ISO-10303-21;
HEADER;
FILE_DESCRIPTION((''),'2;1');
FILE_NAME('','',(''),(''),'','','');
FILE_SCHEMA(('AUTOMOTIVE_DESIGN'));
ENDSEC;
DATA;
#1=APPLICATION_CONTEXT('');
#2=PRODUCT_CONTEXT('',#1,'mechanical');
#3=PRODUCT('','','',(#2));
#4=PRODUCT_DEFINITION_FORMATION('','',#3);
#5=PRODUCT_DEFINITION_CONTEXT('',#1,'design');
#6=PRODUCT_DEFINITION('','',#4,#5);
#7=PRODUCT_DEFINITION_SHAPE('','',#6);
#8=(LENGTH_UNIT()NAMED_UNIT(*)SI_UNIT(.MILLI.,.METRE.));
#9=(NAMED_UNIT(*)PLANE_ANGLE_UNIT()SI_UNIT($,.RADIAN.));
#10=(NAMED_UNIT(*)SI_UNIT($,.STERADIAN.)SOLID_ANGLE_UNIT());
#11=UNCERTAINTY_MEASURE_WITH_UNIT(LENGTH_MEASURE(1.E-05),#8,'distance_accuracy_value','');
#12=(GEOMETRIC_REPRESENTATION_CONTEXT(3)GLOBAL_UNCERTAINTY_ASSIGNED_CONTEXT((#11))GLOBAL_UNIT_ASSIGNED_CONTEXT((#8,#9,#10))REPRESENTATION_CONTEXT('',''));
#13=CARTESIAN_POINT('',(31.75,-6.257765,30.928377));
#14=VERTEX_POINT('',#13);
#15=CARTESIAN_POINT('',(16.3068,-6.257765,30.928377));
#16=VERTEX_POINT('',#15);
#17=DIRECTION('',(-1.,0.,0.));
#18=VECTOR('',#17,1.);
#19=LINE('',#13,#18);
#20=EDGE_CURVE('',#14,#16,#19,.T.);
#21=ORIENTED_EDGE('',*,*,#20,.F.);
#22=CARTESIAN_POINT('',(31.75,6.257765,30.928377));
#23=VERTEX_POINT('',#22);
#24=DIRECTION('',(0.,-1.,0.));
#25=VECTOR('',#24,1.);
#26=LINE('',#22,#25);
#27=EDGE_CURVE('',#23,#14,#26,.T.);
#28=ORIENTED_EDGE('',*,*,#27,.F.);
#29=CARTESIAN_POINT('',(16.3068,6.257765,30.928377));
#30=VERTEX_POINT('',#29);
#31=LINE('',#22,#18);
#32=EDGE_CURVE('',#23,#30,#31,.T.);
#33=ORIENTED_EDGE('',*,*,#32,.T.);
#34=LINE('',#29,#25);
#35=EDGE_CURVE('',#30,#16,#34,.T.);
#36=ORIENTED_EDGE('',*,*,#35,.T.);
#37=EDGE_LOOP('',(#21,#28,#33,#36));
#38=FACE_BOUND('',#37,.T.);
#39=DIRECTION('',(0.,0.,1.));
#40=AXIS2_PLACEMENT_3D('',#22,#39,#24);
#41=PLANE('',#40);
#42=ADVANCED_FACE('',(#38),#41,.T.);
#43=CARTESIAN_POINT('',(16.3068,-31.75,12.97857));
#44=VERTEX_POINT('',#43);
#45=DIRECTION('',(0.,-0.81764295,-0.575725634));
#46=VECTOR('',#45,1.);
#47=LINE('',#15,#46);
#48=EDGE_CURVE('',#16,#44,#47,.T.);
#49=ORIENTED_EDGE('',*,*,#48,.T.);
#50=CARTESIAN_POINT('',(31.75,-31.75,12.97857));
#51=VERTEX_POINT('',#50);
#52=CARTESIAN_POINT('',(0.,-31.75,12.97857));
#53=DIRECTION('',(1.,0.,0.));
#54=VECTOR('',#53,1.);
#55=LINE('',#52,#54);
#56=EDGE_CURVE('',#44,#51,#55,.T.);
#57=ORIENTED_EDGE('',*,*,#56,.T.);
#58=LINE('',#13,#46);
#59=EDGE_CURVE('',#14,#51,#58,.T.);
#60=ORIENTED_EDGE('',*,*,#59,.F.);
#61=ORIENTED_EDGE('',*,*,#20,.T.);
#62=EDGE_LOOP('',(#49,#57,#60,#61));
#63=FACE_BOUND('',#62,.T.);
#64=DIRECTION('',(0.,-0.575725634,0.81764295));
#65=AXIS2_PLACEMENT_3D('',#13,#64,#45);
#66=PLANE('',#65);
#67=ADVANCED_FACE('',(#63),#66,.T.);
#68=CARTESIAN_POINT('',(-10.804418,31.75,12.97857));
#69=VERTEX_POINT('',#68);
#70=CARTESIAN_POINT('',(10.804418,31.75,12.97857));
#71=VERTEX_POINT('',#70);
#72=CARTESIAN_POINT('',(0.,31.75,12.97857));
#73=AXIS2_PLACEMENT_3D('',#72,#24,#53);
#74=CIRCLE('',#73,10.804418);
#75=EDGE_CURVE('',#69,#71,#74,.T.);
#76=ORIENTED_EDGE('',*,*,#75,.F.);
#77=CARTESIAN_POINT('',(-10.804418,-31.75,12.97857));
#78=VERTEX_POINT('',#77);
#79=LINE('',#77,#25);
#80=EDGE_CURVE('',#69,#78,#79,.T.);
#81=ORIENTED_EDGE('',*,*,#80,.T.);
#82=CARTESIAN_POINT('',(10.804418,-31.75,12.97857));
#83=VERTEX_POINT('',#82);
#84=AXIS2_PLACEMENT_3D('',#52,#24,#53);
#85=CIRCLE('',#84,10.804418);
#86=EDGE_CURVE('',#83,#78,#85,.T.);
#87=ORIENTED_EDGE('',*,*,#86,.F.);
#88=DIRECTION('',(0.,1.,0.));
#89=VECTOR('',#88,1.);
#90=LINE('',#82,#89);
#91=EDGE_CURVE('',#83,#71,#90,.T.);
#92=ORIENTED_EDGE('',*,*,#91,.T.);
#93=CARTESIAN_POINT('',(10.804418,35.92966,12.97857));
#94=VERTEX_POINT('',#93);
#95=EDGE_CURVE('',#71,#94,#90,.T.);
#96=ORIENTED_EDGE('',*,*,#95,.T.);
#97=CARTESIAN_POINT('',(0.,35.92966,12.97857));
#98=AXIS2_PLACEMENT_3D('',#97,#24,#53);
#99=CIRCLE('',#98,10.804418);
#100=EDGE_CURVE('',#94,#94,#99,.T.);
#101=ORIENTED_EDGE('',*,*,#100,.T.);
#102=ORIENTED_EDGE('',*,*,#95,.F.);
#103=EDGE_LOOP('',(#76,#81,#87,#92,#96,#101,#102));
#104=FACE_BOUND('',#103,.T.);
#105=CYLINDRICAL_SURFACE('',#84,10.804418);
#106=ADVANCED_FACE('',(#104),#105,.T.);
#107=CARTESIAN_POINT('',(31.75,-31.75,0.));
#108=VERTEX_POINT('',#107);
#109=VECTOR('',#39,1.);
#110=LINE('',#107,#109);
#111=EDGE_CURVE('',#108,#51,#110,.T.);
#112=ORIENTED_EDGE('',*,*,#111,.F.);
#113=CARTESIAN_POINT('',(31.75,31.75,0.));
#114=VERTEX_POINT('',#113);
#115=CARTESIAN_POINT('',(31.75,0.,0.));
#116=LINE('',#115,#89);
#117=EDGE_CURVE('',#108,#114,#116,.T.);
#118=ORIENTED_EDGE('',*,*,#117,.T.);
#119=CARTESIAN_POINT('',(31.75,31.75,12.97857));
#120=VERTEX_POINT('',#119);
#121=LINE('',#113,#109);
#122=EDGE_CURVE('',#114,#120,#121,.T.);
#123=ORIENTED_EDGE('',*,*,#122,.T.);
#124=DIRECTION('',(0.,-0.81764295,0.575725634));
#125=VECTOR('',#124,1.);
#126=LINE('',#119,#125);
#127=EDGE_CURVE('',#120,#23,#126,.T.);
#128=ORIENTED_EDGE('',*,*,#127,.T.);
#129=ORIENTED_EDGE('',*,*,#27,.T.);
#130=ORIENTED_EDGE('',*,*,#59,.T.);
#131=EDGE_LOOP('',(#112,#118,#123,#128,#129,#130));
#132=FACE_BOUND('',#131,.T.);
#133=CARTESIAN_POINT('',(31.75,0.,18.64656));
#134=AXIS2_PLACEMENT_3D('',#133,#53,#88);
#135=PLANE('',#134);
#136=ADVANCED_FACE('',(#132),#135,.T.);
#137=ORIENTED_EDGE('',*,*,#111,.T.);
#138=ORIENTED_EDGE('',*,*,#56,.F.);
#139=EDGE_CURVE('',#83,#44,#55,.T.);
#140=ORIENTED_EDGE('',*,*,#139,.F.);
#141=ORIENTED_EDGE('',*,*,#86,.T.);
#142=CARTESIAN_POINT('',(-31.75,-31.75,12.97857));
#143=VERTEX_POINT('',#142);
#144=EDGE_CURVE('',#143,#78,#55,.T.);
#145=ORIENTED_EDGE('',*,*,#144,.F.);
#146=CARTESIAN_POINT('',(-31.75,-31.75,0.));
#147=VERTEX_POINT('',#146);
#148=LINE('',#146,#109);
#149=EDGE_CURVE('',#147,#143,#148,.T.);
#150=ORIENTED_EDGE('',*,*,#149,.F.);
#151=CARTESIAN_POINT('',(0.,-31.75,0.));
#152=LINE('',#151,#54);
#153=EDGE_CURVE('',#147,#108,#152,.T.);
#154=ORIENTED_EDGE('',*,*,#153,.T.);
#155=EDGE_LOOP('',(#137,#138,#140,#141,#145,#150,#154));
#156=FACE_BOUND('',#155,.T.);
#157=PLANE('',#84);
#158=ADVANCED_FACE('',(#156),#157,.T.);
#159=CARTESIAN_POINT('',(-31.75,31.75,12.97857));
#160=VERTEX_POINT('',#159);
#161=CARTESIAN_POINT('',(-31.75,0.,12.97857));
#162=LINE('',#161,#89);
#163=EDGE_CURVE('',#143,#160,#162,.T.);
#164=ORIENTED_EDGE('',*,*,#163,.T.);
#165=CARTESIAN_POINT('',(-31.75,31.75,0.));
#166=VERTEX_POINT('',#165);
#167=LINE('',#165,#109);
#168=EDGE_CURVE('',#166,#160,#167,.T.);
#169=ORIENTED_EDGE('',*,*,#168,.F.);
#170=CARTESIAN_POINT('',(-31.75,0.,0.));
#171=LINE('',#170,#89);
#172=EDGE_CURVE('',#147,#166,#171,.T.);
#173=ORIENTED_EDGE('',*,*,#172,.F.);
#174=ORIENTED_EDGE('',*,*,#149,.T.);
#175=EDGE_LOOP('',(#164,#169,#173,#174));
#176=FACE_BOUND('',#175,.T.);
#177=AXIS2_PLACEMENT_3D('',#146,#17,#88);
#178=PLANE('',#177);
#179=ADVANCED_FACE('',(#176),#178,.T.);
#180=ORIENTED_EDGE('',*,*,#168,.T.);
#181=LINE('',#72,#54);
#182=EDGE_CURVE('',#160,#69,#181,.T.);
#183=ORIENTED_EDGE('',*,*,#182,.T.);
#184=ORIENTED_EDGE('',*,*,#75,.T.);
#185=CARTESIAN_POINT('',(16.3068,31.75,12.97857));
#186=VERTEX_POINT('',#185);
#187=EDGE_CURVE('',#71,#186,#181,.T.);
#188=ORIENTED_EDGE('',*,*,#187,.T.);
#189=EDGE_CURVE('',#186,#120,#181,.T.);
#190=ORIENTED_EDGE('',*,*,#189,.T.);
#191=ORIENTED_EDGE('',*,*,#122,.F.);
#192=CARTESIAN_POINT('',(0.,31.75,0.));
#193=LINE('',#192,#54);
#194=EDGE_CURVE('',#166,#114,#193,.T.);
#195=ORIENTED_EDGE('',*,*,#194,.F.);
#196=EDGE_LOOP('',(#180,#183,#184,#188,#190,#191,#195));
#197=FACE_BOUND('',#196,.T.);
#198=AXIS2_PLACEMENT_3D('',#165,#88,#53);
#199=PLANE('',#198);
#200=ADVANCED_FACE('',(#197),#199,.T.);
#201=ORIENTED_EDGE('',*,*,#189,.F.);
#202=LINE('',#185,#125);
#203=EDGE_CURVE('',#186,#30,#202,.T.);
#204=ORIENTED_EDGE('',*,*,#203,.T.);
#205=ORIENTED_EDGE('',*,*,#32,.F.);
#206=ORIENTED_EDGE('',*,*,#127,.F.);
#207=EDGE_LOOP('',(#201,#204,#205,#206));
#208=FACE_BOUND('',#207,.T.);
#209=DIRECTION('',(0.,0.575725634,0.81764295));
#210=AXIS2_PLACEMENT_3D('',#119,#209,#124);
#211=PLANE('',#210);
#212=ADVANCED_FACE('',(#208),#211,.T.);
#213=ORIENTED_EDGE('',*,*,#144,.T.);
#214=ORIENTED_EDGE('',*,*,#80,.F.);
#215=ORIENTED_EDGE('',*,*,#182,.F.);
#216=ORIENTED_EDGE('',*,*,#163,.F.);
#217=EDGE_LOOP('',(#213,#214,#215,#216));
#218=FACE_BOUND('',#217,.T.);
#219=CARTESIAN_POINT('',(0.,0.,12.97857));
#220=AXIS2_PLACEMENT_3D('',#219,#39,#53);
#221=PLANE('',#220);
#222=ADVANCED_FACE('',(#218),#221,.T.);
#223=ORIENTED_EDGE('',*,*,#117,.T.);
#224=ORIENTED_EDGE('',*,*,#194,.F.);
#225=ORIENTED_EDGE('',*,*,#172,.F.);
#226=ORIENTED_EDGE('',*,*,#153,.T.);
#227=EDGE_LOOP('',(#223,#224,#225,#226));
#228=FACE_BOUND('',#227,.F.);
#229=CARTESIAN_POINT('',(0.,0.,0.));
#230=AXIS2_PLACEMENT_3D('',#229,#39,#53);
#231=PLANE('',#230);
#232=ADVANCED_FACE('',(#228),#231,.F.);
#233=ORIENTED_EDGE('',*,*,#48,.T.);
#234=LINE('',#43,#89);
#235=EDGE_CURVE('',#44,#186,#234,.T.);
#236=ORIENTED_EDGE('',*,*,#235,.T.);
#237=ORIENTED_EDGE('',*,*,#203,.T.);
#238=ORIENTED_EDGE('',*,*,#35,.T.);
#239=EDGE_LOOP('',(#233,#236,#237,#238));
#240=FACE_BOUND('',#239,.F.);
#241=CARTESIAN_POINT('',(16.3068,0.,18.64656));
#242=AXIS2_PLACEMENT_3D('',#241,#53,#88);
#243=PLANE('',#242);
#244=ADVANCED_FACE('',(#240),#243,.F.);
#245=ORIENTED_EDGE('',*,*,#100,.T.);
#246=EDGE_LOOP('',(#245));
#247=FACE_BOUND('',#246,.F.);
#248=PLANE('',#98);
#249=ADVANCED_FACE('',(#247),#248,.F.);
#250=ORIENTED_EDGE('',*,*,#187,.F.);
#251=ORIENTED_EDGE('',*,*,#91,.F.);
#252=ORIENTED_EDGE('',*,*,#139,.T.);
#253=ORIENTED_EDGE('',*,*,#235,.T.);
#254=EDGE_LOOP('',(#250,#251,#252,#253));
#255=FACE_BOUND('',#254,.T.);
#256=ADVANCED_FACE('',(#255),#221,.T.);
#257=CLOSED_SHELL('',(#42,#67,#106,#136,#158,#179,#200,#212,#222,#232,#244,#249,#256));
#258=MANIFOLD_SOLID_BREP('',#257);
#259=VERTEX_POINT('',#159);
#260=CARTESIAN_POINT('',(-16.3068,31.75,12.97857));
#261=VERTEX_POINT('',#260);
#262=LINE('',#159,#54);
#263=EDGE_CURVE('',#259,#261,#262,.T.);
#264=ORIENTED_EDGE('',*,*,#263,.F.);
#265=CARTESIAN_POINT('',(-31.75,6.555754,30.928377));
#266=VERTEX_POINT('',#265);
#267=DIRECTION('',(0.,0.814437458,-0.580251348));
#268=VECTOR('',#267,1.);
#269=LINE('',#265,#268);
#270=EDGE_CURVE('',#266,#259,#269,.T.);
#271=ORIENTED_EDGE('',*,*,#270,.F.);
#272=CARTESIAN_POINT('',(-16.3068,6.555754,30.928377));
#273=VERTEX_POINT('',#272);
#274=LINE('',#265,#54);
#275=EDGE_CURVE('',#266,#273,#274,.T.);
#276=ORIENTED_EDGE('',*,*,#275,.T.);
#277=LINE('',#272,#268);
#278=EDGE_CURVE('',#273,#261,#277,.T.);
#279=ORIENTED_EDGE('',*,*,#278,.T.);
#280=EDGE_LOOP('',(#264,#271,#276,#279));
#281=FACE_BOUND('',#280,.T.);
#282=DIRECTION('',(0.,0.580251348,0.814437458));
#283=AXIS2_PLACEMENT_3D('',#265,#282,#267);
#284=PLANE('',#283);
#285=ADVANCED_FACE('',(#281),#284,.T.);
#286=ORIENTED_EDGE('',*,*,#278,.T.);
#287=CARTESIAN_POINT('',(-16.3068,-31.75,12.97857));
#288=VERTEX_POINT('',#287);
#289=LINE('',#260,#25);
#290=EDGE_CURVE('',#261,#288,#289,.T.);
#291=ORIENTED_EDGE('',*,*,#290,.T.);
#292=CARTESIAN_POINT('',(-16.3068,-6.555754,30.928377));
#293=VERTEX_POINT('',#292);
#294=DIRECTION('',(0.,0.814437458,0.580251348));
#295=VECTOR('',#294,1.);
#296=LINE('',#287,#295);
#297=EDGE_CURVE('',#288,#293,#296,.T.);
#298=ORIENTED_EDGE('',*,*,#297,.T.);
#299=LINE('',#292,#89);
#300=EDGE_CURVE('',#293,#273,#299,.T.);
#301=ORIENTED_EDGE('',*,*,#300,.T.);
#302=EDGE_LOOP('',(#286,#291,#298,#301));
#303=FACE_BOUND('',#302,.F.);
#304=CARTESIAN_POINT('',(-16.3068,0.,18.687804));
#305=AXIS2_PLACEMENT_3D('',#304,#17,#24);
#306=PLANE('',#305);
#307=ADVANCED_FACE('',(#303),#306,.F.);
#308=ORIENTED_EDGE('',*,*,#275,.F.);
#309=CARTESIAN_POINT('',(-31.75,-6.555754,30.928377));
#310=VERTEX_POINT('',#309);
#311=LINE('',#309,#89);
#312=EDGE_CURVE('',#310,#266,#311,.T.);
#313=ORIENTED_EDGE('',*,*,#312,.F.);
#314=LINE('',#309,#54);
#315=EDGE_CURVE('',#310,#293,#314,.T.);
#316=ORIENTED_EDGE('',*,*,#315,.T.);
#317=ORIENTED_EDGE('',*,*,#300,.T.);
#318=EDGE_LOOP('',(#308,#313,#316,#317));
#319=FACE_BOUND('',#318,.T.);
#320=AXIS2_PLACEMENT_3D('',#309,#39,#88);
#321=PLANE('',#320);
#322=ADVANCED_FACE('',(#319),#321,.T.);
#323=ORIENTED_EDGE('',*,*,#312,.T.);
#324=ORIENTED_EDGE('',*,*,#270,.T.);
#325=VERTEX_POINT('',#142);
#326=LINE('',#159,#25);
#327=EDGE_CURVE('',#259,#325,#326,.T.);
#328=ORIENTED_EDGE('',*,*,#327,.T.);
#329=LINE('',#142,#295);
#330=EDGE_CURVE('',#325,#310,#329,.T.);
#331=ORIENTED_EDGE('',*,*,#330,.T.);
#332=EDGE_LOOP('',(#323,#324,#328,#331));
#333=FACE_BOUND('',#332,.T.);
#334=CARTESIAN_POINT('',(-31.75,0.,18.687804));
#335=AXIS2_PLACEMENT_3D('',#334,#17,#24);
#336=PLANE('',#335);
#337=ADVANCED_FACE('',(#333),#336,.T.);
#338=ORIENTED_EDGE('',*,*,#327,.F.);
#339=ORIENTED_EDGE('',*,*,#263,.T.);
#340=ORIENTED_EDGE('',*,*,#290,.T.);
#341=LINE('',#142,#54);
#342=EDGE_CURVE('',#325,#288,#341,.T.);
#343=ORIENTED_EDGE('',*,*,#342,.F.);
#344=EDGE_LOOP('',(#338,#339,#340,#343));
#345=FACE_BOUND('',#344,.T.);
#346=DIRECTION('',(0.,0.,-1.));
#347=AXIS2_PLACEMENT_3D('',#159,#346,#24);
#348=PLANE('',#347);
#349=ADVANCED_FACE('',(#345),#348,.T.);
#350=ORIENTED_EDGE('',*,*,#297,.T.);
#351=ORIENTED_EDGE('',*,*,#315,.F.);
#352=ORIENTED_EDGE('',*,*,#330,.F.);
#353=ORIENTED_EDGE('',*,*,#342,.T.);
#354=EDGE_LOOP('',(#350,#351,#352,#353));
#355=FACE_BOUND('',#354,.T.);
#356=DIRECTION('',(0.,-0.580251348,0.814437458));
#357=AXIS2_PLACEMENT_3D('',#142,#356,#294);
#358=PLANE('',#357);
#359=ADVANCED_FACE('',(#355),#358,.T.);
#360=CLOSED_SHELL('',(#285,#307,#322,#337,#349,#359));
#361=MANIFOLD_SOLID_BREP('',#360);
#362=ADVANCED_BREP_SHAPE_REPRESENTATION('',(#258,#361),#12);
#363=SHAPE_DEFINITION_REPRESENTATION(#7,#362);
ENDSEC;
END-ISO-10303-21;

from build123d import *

# Parameters (mm, degrees)
F0_W     = 63.5
F0_H     = 63.5
F1_DEPTH = 12.97857
F3_DEPTH = 15.4432
F5_DEPTH = 15.4432
F6_R     = 10.804418
F7_DEPTH = 67.67966


with BuildPart() as f1:
    # F0 (on Top) → F1 (new body)
    with BuildSketch(Plane.XY):
        Rectangle(F0_W, F0_H)
    extrude(amount=F1_DEPTH)

    # F4 (on face) → F5 (join)
    with BuildSketch(Plane.YZ.offset(31.75)):
        Polygon((-6.257765, 30.928377), (-31.75, 12.97857), (31.75, 12.97857), (6.257765, 30.928377), align=None)
    extrude(amount=-F5_DEPTH)

    # F6 (on face) → F7 (join)
    with BuildSketch(Plane.XZ.offset(31.75)):
        with Locations((0, 12.97857)):
            Circle(F6_R)
    extrude(amount=-F7_DEPTH)


with BuildPart() as f3:
    # F2 (on face) → F3 (new body)
    with BuildSketch(Plane(origin=(-31.75, 0, 0), x_dir=(0, -1, 0), z_dir=(-1, 0, 0))):
        Polygon((-6.555754, 30.928377), (-31.75, 12.97857), (31.75, 12.97857), (6.555754, 30.928377), align=None)
    extrude(amount=-F3_DEPTH)


solid = Compound([f1.part, f3.part])
